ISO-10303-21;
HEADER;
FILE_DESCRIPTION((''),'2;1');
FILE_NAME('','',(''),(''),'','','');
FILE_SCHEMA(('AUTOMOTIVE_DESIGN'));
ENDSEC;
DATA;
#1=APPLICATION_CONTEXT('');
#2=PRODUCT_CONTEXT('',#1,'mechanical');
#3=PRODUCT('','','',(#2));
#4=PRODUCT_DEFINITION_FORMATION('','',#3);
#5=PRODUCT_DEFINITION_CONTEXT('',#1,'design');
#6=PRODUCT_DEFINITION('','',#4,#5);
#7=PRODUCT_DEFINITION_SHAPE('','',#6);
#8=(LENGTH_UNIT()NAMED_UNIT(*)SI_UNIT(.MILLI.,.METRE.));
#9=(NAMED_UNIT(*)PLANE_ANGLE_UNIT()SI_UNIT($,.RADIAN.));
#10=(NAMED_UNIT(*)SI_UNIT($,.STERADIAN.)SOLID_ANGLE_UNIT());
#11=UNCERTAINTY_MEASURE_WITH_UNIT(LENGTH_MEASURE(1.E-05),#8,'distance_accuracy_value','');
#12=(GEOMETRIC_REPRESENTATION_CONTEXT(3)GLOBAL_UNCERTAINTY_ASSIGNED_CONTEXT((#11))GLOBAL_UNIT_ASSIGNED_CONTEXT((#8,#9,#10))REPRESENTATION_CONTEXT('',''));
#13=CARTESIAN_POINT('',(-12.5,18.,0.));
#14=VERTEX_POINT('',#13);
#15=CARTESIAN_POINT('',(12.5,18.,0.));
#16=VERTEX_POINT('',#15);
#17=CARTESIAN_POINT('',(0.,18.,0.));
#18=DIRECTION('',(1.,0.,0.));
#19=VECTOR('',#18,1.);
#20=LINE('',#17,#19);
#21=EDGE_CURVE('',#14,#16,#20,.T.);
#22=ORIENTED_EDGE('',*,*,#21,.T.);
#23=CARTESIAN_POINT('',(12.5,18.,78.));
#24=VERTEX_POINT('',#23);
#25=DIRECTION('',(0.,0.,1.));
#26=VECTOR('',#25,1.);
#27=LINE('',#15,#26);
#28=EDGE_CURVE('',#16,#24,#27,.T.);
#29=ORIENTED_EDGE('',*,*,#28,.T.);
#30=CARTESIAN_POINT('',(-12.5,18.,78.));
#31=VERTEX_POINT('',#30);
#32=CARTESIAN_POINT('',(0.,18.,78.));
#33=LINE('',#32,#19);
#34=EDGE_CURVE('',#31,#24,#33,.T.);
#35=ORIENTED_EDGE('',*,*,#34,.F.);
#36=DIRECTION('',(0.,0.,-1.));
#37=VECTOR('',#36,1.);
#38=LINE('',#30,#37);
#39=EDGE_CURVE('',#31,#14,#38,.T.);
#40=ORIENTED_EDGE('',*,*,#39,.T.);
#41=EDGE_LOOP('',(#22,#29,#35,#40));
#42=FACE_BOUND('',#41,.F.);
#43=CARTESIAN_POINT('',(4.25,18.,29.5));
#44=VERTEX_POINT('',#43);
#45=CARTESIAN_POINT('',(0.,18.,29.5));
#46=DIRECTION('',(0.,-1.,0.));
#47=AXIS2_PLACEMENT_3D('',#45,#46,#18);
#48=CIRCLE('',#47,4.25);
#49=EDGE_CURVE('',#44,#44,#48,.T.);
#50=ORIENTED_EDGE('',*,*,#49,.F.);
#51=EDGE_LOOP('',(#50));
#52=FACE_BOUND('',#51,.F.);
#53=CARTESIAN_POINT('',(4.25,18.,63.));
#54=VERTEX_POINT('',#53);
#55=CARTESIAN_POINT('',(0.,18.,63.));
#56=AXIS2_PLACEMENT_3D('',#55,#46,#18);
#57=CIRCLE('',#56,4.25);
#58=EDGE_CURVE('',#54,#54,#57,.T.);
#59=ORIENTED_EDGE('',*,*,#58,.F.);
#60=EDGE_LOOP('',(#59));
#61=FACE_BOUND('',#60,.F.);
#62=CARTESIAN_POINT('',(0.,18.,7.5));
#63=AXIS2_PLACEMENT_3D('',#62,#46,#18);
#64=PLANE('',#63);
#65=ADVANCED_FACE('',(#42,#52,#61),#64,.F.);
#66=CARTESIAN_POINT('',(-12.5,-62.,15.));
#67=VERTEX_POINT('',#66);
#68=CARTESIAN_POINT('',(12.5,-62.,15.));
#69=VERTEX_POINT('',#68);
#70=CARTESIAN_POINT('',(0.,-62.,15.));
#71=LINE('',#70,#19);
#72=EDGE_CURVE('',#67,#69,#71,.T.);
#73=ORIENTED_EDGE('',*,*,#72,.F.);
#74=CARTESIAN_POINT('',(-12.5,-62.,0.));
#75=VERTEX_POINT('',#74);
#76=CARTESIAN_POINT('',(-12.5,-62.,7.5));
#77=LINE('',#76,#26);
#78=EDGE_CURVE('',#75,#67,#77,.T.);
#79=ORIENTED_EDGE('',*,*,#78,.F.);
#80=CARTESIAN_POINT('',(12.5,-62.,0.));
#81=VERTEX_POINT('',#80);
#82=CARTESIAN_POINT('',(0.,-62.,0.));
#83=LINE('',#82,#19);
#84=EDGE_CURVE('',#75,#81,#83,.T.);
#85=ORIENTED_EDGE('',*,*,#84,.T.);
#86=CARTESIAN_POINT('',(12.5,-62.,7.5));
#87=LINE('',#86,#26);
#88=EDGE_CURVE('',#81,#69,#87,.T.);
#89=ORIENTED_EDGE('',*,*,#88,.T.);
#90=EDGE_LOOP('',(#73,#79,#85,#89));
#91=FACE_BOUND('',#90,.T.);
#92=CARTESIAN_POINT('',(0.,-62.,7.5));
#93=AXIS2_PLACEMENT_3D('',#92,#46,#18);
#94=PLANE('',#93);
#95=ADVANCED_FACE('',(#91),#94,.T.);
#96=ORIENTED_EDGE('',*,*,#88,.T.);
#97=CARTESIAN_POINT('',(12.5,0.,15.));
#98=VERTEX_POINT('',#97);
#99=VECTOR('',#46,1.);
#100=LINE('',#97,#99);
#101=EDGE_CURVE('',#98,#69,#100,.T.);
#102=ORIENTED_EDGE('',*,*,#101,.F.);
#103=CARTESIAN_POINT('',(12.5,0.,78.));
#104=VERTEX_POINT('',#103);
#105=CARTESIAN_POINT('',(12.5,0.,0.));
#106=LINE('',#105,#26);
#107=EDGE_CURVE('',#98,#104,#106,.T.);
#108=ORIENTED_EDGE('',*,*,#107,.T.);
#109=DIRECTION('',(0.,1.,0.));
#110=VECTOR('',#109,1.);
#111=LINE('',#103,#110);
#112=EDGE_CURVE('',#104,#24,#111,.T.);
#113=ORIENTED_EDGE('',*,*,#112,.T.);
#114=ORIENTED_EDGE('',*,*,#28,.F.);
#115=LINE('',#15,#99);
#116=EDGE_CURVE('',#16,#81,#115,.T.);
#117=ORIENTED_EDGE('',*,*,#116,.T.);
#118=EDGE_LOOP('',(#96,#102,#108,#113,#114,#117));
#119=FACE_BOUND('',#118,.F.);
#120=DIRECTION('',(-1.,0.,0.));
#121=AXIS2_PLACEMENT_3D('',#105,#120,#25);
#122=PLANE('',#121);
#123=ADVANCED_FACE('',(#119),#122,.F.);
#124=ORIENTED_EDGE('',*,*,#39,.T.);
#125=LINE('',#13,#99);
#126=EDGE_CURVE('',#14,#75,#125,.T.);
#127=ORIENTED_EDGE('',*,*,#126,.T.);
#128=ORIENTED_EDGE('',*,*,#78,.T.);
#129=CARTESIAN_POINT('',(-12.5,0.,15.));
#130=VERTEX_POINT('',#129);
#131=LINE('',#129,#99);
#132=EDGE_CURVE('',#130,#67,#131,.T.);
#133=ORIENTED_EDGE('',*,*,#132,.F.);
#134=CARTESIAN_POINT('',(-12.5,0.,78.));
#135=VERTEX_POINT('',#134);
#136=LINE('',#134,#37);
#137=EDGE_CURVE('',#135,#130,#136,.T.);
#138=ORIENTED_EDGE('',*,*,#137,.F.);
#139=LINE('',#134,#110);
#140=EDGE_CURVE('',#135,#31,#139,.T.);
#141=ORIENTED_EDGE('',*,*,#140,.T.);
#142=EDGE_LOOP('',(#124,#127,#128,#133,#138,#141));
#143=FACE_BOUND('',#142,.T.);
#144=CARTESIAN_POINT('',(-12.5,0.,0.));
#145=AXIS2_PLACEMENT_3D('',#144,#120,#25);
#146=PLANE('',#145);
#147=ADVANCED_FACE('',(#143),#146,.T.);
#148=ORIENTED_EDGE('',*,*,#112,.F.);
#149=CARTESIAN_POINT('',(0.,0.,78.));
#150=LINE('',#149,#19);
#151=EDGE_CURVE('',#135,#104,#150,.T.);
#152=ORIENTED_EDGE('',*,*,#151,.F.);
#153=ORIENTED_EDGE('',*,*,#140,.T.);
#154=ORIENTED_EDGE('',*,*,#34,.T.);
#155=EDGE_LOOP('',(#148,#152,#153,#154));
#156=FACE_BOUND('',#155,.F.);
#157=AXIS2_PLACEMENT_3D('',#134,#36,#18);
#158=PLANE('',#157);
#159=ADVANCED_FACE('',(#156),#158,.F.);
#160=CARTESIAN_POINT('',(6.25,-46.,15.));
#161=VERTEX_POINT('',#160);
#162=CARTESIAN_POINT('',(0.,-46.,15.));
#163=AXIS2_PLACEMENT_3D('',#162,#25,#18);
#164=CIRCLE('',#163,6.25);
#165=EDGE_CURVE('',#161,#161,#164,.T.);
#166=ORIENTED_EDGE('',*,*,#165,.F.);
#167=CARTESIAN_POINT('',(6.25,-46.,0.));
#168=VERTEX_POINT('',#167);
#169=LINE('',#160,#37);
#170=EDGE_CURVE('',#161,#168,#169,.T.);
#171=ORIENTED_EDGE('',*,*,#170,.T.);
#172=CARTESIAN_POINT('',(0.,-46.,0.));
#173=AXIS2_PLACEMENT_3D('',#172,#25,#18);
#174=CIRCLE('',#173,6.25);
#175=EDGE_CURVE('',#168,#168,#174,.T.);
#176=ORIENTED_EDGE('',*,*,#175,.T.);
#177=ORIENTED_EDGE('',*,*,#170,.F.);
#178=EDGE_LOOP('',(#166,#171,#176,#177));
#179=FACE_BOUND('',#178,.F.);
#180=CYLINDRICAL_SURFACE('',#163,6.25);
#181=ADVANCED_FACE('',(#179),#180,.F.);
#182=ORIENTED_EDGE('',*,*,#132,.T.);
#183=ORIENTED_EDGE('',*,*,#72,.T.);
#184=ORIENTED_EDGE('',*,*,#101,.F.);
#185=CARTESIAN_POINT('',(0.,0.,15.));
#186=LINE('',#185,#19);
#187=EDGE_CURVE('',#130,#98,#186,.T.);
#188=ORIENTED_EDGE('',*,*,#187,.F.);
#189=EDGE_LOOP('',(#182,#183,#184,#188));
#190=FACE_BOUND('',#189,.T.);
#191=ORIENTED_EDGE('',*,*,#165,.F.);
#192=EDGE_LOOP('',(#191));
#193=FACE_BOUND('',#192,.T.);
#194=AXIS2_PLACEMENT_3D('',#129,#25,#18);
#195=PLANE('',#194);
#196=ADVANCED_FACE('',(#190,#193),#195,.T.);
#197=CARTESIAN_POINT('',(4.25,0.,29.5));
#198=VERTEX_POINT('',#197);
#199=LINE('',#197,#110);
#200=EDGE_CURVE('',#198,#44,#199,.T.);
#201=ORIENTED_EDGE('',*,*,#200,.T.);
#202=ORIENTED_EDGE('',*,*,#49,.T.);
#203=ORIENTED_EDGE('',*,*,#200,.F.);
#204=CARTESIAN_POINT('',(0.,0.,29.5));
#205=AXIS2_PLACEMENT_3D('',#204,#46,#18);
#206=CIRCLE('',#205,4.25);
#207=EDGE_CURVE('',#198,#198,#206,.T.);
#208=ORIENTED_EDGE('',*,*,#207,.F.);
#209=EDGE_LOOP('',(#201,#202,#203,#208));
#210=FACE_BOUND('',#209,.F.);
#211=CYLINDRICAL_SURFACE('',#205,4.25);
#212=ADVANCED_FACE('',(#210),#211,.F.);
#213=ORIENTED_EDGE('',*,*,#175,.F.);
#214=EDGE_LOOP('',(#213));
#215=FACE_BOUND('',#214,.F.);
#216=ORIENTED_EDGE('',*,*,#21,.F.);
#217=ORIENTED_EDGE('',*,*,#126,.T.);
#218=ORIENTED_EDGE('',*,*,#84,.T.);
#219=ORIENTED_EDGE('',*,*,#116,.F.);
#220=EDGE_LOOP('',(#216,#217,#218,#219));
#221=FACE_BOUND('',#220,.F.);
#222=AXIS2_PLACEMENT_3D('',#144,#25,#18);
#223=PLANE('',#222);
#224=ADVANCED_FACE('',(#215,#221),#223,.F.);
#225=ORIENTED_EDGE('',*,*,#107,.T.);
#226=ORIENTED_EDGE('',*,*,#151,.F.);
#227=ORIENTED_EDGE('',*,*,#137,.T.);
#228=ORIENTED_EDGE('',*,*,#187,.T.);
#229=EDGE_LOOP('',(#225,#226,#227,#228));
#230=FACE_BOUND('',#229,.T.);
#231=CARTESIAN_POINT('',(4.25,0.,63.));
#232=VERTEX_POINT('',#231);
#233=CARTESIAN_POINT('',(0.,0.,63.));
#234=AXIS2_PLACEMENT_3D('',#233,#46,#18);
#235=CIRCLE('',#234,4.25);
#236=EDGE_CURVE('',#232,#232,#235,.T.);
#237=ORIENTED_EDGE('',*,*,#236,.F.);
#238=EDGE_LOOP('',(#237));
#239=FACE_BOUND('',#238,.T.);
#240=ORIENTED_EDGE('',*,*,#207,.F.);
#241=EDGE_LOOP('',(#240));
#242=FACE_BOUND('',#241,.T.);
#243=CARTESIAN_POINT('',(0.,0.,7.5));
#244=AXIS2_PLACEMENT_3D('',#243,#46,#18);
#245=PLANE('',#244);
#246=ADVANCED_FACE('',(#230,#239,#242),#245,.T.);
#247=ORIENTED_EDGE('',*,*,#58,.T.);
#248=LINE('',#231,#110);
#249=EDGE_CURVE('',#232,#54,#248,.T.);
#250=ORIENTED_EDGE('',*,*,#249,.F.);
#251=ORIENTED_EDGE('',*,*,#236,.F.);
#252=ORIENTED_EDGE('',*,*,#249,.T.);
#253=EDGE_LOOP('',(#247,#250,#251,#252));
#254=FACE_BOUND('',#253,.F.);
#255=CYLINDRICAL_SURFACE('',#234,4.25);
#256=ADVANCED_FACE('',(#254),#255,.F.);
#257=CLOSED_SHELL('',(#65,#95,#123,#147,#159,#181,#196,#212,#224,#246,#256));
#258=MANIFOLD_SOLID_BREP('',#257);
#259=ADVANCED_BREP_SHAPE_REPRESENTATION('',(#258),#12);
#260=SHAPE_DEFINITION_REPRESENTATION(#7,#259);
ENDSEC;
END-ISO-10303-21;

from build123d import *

# Parameters (mm, degrees)
F0_W     = 25
F0_H     = 15
F0_H_2   = 63
F0_R     = 4.25
F1_DEPTH = 18
F2_DEPTH = 62
F3_R     = 6.25
F4_DEPTH = 25.4


with BuildPart() as f1:
    # F0 (on Front) → F1 (new body)
    with BuildSketch(Plane.XZ):
        with Locations((0, 7.5)):
            Rectangle(F0_W, F0_H)
        with Locations((0, 46.5)):
            Rectangle(F0_W, F0_H_2)
        with Locations((0, 29.5)):
            Circle(F0_R, mode=Mode.SUBTRACT)
        with Locations((0, 63)):
            Circle(F0_R, mode=Mode.SUBTRACT)
    extrude(amount=-F1_DEPTH)

    # F0 (on Front) → F2 (join)
    with BuildSketch(Plane.XZ):
        with Locations((0, 7.5)):
            Rectangle(F0_W, F0_H)
    extrude(amount=F2_DEPTH)

    # F3 (on face) → F4 (cut)
    with BuildSketch(Plane.XY.offset(15)):
        with Locations((0, -46)):
            Circle(F3_R)
    extrude(amount=-F4_DEPTH, mode=Mode.SUBTRACT)


solid = f1.part
